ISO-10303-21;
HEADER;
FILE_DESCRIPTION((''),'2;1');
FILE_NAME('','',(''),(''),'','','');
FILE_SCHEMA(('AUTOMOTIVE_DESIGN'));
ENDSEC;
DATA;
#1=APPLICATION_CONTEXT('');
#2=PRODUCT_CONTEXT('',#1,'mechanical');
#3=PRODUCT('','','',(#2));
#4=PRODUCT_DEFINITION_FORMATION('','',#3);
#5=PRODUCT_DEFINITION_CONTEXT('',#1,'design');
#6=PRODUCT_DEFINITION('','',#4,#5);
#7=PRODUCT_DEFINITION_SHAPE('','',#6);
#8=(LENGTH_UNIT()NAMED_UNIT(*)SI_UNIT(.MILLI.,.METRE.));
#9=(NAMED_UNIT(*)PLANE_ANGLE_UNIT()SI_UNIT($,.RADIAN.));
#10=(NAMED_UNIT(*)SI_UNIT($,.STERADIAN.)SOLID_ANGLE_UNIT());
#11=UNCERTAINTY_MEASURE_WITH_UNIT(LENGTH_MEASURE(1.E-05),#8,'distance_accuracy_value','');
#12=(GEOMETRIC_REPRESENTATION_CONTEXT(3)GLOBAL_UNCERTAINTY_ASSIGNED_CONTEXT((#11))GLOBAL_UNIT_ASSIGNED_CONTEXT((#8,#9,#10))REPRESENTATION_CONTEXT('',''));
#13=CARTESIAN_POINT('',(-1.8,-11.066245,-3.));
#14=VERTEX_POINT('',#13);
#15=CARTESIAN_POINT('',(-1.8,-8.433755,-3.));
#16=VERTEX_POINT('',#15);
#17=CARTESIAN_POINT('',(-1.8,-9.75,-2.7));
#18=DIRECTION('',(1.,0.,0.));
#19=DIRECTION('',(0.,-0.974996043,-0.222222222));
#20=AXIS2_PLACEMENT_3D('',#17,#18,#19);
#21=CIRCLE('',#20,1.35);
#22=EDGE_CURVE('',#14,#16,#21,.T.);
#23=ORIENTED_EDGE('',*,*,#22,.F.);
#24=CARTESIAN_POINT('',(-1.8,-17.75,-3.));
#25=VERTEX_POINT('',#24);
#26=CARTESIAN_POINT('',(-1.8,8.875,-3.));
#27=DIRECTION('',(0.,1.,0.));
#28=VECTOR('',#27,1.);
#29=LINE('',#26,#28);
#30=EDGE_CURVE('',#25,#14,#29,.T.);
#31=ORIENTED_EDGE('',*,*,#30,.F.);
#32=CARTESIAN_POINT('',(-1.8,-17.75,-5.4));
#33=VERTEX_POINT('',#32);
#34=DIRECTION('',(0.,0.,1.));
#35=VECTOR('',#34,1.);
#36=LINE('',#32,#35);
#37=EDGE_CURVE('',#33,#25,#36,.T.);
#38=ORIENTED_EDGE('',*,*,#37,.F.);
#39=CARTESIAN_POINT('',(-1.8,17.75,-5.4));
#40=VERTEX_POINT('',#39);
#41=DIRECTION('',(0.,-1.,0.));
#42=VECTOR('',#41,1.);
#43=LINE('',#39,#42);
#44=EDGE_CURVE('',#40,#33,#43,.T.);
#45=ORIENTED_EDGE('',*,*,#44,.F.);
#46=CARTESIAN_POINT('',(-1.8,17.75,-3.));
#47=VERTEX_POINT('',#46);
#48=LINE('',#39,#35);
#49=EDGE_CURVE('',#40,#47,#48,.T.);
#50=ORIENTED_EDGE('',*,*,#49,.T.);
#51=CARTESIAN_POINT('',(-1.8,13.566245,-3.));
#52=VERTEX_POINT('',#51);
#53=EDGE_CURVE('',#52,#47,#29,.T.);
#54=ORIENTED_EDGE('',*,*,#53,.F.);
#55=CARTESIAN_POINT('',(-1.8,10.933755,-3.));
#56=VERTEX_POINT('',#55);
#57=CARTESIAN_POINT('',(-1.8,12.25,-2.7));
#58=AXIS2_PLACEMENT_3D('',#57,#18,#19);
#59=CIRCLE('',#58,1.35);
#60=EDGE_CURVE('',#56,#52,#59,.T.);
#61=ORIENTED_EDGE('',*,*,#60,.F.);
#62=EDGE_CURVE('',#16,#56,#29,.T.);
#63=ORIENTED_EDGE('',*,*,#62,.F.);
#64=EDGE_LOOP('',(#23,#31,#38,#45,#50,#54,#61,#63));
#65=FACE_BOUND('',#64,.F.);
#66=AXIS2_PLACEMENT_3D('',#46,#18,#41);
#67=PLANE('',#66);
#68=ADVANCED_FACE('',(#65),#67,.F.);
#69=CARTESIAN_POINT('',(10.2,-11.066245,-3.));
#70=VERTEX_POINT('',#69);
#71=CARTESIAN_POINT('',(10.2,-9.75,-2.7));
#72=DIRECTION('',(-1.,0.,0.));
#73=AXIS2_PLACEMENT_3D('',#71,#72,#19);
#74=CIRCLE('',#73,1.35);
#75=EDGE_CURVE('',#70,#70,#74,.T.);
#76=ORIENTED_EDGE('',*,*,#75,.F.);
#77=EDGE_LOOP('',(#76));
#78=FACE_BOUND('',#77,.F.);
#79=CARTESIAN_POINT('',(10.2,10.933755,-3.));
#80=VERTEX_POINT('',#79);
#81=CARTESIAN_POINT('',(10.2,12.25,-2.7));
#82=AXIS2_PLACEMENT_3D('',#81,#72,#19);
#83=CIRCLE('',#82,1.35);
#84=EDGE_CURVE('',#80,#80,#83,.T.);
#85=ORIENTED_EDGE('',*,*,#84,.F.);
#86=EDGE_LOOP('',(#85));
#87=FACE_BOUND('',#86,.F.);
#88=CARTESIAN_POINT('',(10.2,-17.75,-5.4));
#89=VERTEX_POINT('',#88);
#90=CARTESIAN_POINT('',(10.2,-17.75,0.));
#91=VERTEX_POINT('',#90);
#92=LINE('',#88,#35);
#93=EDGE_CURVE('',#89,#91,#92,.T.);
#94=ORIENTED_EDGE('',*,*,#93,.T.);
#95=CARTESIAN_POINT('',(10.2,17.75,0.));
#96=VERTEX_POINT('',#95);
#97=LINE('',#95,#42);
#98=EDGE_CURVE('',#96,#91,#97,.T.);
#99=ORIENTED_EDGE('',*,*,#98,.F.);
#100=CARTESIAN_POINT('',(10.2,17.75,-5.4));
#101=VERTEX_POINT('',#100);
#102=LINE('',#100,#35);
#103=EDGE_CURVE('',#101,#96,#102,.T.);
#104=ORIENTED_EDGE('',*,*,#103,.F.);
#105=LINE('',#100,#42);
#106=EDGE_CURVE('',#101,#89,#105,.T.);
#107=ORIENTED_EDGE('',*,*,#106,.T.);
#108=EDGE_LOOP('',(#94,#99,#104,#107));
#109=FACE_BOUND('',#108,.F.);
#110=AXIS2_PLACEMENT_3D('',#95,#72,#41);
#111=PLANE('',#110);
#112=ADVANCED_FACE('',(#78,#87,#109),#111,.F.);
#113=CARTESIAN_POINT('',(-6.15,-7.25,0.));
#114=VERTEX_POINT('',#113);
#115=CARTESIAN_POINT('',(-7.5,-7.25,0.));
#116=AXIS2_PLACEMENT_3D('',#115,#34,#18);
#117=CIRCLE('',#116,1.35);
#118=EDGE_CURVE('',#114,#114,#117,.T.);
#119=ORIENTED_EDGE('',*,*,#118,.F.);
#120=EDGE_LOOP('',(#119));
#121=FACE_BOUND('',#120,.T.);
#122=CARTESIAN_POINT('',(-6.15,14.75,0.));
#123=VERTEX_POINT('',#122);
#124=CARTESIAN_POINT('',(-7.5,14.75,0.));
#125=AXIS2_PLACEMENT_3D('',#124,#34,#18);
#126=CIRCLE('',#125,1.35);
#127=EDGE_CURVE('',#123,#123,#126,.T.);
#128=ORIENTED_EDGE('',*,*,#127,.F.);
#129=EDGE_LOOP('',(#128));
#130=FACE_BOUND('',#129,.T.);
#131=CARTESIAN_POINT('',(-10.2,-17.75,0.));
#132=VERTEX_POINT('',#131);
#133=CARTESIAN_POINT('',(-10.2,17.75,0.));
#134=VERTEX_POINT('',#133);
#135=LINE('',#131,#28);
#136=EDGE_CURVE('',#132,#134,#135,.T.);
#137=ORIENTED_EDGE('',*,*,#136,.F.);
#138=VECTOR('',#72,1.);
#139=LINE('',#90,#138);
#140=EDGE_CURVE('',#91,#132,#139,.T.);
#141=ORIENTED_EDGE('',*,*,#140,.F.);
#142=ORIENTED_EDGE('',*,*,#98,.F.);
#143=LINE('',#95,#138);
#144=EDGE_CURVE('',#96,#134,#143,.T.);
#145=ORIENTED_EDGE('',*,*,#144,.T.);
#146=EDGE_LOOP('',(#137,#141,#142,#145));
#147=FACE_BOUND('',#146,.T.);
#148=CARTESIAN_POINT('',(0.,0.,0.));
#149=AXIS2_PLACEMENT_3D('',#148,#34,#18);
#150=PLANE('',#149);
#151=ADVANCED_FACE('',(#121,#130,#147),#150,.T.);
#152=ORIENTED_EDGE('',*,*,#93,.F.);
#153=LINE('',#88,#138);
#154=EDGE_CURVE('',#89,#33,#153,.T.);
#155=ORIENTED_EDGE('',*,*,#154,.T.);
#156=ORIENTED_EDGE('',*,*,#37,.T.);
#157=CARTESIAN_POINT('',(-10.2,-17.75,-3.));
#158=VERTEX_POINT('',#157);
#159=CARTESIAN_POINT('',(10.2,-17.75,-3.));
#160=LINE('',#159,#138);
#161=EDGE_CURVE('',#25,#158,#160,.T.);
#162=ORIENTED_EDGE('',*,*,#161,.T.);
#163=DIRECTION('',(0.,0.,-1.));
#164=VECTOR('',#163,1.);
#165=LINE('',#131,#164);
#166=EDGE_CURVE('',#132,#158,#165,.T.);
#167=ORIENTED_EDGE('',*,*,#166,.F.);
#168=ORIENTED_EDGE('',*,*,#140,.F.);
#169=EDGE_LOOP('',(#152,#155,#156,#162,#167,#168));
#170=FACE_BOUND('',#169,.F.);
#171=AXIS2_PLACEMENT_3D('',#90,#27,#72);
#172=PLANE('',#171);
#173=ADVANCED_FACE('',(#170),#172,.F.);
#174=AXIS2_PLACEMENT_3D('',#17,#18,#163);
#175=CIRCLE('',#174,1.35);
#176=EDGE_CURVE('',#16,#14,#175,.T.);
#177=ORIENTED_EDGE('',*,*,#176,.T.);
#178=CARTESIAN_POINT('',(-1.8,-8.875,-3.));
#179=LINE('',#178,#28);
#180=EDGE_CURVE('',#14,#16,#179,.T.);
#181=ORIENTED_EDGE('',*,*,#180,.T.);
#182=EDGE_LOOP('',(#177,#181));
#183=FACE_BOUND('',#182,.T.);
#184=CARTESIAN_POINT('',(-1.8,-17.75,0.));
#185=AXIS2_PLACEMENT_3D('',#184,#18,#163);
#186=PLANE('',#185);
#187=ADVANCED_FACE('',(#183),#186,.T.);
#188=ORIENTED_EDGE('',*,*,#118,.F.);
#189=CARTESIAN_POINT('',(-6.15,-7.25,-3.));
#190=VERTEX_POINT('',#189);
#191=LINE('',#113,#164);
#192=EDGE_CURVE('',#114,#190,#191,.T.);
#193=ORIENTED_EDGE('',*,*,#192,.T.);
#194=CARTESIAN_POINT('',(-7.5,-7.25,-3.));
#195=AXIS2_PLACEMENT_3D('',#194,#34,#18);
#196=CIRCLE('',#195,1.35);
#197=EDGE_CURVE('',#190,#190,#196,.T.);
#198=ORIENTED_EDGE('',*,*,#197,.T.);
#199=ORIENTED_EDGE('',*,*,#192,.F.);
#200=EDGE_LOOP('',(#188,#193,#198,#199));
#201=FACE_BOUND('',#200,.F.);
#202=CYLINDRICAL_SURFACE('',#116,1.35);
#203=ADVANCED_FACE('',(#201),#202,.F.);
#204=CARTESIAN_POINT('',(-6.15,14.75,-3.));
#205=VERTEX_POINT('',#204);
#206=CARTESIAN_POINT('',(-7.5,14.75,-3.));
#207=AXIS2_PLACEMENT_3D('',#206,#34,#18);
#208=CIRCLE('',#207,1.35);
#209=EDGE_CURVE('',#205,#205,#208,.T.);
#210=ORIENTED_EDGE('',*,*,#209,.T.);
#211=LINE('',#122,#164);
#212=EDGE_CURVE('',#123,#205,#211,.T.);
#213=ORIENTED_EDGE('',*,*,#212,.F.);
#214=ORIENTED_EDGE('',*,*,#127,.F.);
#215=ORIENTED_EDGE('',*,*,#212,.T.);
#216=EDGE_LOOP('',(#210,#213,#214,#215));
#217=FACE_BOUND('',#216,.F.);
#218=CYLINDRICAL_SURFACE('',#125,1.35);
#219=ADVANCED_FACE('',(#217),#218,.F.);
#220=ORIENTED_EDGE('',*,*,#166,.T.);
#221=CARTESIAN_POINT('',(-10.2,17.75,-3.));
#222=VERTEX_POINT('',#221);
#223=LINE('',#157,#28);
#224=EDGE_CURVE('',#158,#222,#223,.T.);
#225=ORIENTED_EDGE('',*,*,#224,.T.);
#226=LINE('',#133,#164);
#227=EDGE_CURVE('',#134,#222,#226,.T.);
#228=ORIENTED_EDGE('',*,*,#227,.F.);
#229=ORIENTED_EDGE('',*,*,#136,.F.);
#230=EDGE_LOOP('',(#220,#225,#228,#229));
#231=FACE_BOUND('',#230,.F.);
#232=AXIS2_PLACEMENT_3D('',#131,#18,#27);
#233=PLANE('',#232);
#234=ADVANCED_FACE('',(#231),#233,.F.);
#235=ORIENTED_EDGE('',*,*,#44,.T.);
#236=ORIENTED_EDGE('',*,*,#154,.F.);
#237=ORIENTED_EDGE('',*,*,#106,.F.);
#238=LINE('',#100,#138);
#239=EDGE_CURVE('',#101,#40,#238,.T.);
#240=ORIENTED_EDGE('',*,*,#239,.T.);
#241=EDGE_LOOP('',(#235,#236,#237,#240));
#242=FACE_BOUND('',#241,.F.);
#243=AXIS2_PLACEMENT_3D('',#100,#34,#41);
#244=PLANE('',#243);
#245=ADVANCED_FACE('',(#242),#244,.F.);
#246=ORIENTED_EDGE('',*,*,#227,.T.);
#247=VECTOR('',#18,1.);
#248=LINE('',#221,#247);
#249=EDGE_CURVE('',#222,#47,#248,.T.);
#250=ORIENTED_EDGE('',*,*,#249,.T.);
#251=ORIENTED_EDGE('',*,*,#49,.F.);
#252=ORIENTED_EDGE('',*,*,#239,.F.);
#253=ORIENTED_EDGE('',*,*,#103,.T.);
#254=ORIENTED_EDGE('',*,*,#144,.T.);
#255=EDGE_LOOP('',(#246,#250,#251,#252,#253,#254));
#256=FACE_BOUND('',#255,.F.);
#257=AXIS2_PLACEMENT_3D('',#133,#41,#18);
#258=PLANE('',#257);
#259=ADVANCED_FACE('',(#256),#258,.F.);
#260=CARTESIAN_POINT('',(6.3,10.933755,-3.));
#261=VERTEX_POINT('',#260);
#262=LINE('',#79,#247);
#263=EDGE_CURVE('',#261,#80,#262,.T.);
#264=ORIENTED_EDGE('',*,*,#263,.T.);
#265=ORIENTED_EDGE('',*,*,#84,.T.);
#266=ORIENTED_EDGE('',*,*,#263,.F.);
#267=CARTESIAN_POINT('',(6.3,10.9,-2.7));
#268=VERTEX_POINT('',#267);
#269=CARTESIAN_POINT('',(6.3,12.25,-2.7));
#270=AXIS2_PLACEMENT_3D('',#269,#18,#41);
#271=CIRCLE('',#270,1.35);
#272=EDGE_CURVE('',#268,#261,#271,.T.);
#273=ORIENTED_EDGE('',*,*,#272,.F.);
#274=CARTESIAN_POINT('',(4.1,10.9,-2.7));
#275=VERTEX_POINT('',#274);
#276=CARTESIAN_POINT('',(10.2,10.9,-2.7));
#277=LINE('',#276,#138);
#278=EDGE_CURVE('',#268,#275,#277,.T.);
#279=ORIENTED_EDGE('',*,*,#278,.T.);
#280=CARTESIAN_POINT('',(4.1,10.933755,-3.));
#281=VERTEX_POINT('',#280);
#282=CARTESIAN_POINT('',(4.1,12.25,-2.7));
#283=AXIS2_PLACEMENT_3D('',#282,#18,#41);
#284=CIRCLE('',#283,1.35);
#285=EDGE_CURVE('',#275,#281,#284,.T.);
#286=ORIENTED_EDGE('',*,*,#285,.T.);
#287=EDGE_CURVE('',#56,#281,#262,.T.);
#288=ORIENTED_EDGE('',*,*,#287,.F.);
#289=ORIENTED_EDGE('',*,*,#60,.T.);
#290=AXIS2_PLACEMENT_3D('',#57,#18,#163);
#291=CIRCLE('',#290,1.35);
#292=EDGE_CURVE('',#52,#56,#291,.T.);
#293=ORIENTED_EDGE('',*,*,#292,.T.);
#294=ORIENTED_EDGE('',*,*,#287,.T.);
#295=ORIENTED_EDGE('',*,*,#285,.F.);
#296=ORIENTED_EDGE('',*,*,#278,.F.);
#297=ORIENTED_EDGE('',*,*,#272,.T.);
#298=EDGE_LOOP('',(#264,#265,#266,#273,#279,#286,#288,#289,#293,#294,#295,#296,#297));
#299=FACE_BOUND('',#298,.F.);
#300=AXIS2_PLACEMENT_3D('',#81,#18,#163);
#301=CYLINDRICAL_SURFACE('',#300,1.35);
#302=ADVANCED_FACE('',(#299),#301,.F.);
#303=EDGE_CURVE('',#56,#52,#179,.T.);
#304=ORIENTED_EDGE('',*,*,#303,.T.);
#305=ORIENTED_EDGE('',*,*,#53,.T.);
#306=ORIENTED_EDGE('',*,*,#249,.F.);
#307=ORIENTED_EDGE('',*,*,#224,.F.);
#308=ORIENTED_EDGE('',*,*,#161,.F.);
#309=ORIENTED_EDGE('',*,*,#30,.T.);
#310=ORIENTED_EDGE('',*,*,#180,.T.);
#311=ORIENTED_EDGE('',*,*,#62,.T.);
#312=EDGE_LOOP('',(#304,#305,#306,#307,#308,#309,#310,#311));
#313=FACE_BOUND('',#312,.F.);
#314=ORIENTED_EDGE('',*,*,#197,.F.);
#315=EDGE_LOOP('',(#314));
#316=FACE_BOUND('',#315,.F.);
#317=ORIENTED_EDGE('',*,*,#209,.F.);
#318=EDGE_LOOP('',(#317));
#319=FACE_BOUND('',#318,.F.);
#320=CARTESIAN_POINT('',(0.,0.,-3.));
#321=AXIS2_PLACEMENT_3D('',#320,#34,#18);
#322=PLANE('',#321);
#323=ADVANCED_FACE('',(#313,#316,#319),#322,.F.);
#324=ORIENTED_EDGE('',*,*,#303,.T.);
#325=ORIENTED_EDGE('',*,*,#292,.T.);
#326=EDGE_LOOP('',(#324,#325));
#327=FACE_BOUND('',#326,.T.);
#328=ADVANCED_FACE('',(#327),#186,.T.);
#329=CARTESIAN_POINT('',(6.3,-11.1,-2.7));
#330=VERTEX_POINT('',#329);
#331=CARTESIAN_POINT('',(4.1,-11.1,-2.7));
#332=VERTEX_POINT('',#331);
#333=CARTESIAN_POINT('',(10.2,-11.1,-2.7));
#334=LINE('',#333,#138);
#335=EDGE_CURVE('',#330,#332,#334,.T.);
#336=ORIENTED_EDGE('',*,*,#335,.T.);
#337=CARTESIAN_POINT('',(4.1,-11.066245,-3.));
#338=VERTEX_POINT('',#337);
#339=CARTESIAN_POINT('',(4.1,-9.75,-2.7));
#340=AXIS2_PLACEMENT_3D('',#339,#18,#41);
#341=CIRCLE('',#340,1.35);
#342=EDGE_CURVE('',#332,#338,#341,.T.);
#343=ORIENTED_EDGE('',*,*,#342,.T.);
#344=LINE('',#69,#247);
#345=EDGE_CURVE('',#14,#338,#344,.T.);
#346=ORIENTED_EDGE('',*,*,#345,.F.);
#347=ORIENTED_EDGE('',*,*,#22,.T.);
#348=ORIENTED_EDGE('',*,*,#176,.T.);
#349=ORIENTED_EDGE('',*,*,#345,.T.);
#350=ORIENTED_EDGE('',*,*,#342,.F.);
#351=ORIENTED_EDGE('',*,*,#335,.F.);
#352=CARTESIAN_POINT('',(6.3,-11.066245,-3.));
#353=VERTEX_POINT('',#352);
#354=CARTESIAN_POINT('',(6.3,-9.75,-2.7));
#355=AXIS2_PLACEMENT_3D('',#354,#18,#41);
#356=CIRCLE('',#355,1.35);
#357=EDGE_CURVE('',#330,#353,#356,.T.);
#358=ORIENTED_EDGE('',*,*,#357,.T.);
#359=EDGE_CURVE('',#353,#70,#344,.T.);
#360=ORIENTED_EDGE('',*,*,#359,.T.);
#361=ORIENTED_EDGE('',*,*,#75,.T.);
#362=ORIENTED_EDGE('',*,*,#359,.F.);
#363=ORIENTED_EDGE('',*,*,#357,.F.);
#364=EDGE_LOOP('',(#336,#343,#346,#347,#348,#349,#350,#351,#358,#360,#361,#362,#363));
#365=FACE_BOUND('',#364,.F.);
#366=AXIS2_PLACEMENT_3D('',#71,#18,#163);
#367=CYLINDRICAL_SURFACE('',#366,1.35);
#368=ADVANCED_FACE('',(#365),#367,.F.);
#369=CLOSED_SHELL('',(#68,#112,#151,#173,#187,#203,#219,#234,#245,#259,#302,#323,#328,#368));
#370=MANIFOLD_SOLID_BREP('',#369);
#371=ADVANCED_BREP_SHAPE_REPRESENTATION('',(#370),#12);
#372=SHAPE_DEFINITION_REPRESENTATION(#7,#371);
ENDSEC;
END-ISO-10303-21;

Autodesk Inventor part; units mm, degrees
ref_plane "YZ Plane" through (0, 0, 0) normal (1, 0, 0) x (0, 1, 0)
ref_plane "XZ Plane" through (0, 0, 0) normal (0, 1, 0) x (-1, 0, 0)
ref_plane "XY Plane" through (0, 0, 0) normal (0, 0, 1) x (1, 0, 0)
ref_plane "작업 평면1" through (0, 0, 0) normal (0, 0, 1) x (1, 0, 0)
sketch "스케치1" plane through (0, 0, 0) normal (0, 0, 1) x (1, 0, 0)
  line L0 (6.3, 9.65) -> (6.3, 14.85) projected
  line L1 (4.1, 9.65) -> (6.3, 9.65) projected
  line L2 (4.1, 14.85) -> (4.1, 9.65) projected
  line L3 (6.3, 14.85) -> (4.1, 14.85) projected
  line L4 (4.1, -7.15) -> (4.1, -12.35) projected
  line L5 (6.3, -7.15) -> (4.1, -7.15) projected
  line L6 (6.3, -12.35) -> (6.3, -7.15) projected
  line L7 (4.1, -12.35) -> (6.3, -12.35) projected
  line L8 (10.2, -17.75) -> (-10.2, -17.75) projected
  line L9 (10.2, 17.75) -> (10.2, -17.75) projected
  line L10 (-10.2, 17.75) -> (10.2, 17.75) projected
  line L11 (-10.2, -17.75) -> (-10.2, 17.75) projected
  circle A0 centre (-7.5, 14.75) radius 1.35 projected
  circle A1 centre (-7.5, -7.25) radius 1.35 projected
  line L12 (-10.2, 17.75) -> (10.2, 17.75)
  line L13 (10.2, 17.75) -> (10.2, -17.75)
  line L14 (10.2, -17.75) -> (-10.2, -17.75)
  line L15 (-10.2, -17.75) -> (-10.2, 17.75)
  point P0 (0, 0)
extrude "돌출1" add sketch "스케치1" against normal blind 3
ref_plane "작업 평면2" through (10.2, 17.75, -3) normal (1, 0, 0) x (0, -1, 0)
sketch "스케치2" plane through (10.2, 17.75, -3) normal (1, 0, 0) x (0, -1, 0)
  circle A0 centre (27.5, -0.3) radius 1.35 projected
  circle A1 centre (5.5, -0.3) radius 1.35 projected
  line L0 (35.5, 2.4) -> (35.5, -3) projected
  line L1 (0, 2.4) -> (35.5, 2.4) projected
  line L2 (0, 2.4) -> (0, -3) projected
  line L3 (0, -3) -> (35.5, -3) projected
  line L4 (0, -3) -> (35.5, -3)
  line L5 (35.5, -3) -> (35.5, 2.4)
  line L6 (35.5, 2.4) -> (0, 2.4)
  line L7 (0, 2.4) -> (0, -3)
  point P0 (17.75, -3)
extrude "돌출2" add sketch "스케치2" against normal blind 12
sketch "스케치3" plane through (10.2, -17.75, 0) normal (1, 0, 0) x (0, 0, -1)
  circle A0 centre (2.7, 8) radius 1.35 projected
  circle A1 centre (2.7, 30) radius 1.35 projected
  line L0 (5.4, 0) -> (0, 0) projected
  line L1 (5.4, 35.5) -> (5.4, 0) projected
  line L2 (5.4, 35.5) -> (0, 35.5) projected
  line L3 (0, 35.5) -> (0, 0) projected
  circle A2 centre (2.7, 30) radius 1.35
  circle A3 centre (2.7, 8) radius 1.35
  point P0 (0, 17.75)
extrude "돌출3" cut sketch "스케치3" against normal blind 12 contours A0 | A1
properties part number "dehind ankle connection_inside" material "PMMA 플라스틱"
